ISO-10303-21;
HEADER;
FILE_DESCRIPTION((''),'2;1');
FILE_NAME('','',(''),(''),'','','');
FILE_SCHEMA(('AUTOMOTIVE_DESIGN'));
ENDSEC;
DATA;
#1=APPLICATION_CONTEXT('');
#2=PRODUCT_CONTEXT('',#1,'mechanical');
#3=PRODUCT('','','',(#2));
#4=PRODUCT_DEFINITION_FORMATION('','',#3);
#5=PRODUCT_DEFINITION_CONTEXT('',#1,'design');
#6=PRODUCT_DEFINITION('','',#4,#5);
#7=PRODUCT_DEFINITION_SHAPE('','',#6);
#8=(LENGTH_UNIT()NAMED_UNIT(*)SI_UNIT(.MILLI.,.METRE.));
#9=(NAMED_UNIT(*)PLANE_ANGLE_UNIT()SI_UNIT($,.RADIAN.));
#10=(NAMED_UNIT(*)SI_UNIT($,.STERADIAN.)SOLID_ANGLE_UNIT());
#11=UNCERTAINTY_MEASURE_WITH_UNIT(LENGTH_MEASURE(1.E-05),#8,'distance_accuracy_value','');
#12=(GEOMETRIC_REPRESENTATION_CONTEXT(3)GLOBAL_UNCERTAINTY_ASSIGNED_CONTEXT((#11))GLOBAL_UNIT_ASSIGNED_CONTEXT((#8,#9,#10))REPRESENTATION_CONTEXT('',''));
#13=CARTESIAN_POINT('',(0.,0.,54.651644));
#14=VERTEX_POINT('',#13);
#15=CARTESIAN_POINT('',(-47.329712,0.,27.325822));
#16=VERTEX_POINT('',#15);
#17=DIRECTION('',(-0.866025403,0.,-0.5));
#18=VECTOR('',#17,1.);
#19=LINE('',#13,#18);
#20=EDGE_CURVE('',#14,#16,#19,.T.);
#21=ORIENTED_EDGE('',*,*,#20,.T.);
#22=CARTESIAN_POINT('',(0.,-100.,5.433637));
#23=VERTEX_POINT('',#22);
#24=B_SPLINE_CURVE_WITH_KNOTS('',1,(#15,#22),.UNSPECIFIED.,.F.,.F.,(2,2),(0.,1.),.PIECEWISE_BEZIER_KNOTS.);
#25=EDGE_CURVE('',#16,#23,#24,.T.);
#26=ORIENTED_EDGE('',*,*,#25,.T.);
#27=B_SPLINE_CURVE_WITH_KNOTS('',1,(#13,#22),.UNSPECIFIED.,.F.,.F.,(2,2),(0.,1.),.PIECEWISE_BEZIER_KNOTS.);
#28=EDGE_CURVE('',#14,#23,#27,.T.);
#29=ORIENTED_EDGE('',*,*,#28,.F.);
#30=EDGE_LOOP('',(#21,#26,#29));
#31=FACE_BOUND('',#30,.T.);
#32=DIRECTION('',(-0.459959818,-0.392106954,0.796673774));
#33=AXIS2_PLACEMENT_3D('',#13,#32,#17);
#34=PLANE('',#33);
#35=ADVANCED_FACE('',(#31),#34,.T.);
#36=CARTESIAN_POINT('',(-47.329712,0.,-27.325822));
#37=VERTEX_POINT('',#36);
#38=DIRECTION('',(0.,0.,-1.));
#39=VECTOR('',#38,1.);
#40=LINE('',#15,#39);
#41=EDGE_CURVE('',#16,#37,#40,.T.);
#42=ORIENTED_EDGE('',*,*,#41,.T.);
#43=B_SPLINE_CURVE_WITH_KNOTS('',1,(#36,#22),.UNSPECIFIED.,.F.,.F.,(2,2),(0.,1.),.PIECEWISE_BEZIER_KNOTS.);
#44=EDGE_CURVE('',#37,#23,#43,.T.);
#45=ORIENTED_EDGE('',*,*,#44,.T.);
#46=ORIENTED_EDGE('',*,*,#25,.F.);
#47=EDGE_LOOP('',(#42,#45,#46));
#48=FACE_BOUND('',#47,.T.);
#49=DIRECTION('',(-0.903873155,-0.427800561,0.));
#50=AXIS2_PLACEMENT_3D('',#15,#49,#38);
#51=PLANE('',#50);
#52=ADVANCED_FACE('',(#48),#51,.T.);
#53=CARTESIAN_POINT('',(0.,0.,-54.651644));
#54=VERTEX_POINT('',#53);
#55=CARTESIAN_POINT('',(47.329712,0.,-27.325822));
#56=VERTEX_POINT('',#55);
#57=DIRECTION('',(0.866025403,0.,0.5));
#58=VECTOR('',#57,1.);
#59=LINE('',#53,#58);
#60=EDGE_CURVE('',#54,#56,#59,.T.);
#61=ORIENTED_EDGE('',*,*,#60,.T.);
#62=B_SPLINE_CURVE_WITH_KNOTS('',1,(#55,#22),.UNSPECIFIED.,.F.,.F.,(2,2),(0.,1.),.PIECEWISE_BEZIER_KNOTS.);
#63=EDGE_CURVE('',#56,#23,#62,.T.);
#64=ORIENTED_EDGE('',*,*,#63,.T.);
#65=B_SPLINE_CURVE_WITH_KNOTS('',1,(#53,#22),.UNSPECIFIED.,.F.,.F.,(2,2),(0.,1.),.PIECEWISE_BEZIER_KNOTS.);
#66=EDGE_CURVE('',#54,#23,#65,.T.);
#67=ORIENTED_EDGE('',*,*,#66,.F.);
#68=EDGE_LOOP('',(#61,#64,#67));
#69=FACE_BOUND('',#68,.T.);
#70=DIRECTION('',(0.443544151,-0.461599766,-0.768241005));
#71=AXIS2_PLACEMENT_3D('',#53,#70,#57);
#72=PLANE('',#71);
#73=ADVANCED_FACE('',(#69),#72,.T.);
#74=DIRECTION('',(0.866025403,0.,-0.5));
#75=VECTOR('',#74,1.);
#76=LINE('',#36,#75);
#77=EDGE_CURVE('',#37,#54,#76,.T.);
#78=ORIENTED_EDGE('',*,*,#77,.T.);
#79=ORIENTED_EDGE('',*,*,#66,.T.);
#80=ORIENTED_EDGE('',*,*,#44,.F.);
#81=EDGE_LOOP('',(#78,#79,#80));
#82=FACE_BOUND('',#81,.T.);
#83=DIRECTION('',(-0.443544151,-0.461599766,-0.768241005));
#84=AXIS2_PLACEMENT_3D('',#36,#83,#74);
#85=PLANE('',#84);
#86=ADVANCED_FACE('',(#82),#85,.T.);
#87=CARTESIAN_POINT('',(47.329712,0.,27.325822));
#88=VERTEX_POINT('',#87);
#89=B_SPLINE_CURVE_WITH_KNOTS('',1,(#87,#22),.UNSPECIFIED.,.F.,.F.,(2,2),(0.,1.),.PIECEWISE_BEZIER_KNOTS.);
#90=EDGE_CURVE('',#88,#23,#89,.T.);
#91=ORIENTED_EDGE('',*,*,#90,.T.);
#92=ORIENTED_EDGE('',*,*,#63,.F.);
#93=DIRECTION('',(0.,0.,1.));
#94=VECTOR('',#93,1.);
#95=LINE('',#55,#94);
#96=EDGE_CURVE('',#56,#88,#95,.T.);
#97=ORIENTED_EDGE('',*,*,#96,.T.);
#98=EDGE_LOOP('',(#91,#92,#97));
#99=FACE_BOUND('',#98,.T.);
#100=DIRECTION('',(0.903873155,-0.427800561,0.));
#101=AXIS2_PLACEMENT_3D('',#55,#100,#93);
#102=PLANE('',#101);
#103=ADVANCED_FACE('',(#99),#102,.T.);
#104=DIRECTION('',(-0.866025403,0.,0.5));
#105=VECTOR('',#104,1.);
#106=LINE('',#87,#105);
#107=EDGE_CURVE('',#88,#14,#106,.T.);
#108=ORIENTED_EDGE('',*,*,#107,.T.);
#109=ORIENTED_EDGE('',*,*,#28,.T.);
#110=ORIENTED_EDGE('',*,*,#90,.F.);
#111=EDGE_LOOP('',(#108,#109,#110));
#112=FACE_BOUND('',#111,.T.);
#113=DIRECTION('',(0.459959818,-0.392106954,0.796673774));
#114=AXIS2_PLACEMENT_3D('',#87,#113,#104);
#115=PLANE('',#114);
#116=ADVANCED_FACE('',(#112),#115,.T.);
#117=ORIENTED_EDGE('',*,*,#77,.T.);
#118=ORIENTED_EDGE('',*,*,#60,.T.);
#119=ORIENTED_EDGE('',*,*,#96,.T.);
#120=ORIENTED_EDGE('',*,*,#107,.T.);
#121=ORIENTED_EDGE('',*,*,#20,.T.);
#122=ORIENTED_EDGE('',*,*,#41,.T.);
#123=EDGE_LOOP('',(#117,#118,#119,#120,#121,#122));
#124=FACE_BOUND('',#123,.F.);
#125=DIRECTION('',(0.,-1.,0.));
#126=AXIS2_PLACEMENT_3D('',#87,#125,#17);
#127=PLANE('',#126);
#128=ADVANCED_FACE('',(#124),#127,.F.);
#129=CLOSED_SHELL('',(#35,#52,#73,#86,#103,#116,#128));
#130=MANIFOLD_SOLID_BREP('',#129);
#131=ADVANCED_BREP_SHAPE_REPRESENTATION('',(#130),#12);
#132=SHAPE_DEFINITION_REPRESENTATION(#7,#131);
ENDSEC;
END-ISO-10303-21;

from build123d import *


with BuildPart() as f3:
    # F0 (on Front) → F3 section 0
    with BuildSketch(Plane.XZ, mode=Mode.PRIVATE) as f3_s0:
        Polygon((47.329712, 27.325822), (0, 54.651644), (-47.329712, 27.325822), (-47.329712, -27.325822), (0, -54.651644), (47.329712, -27.325822), align=None)
    loft([f3_s0.sketch, Vertex(0, -100, 5.433637)])


solid = f3.part
